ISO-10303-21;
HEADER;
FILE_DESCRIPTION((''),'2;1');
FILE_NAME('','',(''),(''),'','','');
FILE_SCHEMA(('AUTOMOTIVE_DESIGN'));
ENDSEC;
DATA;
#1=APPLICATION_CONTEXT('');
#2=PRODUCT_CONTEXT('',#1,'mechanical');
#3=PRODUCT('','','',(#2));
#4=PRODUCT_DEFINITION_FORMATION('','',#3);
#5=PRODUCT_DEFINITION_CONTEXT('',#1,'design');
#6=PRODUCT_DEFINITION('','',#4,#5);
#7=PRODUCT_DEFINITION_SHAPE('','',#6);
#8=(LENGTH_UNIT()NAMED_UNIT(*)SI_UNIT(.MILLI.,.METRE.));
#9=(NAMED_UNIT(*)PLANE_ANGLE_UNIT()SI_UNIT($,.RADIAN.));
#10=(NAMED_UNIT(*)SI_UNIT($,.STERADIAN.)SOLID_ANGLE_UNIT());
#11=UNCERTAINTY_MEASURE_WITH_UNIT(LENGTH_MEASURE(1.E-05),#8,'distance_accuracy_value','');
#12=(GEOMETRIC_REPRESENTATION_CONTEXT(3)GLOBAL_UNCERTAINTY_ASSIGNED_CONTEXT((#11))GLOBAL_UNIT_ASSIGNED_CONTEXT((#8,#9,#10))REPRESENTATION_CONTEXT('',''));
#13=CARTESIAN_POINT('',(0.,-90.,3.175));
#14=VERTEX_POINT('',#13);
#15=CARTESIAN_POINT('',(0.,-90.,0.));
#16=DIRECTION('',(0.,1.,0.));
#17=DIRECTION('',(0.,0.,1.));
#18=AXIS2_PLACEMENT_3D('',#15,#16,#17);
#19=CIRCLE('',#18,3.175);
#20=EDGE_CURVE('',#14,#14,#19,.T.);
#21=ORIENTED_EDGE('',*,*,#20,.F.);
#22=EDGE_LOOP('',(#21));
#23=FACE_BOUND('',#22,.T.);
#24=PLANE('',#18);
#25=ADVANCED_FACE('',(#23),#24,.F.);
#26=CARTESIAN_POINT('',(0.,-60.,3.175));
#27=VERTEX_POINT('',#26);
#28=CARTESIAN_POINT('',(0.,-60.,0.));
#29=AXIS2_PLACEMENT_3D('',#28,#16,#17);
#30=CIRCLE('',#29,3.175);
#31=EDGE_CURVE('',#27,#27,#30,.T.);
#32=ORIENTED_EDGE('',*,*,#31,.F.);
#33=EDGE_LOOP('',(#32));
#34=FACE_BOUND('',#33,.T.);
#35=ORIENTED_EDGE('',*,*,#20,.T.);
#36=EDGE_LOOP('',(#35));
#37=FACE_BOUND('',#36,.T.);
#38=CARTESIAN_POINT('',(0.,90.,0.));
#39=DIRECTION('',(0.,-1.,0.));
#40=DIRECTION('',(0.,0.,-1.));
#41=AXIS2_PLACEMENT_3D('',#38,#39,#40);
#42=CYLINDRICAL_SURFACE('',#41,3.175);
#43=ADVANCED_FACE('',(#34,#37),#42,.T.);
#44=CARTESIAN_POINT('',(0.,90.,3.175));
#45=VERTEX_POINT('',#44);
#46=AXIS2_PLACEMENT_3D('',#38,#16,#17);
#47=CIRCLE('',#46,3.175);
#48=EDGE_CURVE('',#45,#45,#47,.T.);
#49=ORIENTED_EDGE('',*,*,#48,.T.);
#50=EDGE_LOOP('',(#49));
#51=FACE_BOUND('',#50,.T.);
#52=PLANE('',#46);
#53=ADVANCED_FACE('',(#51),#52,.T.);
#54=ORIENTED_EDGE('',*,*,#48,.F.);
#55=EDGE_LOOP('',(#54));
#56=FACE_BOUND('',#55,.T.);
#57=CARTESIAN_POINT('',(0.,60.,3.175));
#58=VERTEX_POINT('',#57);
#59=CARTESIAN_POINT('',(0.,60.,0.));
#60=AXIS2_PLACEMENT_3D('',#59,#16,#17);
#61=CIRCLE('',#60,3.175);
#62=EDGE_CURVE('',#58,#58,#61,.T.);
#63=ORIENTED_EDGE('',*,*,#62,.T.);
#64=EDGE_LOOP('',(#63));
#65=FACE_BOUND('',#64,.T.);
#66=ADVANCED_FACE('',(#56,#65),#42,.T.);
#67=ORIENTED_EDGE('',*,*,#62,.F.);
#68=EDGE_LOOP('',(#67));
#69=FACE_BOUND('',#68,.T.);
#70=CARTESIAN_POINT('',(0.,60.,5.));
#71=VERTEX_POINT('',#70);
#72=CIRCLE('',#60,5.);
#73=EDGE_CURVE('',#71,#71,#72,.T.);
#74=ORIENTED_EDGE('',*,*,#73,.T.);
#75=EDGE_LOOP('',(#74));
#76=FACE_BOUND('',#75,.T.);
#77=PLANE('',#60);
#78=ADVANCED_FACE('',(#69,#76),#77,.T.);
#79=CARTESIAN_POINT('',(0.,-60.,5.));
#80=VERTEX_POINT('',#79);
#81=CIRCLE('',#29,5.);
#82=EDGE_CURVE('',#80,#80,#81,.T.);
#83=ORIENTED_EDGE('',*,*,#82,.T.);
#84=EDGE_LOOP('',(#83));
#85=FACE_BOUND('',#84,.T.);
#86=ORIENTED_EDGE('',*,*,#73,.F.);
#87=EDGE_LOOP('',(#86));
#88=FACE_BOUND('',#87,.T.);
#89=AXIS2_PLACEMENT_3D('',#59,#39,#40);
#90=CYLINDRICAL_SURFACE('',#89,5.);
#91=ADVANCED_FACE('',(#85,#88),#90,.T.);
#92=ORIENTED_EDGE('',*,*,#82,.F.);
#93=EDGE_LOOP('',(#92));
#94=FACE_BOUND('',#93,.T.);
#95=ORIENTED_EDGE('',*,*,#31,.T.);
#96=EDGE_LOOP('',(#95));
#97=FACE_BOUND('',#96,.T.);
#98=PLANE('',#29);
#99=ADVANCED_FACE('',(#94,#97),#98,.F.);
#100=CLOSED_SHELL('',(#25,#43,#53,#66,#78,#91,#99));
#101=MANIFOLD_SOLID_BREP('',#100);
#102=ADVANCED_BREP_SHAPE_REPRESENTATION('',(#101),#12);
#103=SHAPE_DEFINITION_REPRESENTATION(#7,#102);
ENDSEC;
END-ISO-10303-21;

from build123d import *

# Parameters (mm, degrees)
SKETCH1_R           = 3.175
BOSS_EXTRUDE2_DEPTH = 90
SKETCH1_4_R         = 5
SKETCH1_4_R_2       = 3.175
BOSS_EXTRUDE3_DEPTH = 60


with BuildPart() as part:
    # Sketch1 → Boss-Extrude2 (new, symmetric)
    with BuildSketch(Plane(origin=(0, 0, 0), x_dir=(1, 0, 0), z_dir=(0, 1, 0))):
        Circle(SKETCH1_R)
    extrude(amount=BOSS_EXTRUDE2_DEPTH, both=True)

    # Sketch1<4> → Boss-Extrude3 (add, symmetric)
    with BuildSketch(Plane(origin=(0, 0, 0), x_dir=(1, 0, 0), z_dir=(0, 1, 0))):
        Circle(SKETCH1_4_R)
        Circle(SKETCH1_4_R_2, mode=Mode.SUBTRACT)
    extrude(amount=BOSS_EXTRUDE3_DEPTH, both=True)


solid = part.part
